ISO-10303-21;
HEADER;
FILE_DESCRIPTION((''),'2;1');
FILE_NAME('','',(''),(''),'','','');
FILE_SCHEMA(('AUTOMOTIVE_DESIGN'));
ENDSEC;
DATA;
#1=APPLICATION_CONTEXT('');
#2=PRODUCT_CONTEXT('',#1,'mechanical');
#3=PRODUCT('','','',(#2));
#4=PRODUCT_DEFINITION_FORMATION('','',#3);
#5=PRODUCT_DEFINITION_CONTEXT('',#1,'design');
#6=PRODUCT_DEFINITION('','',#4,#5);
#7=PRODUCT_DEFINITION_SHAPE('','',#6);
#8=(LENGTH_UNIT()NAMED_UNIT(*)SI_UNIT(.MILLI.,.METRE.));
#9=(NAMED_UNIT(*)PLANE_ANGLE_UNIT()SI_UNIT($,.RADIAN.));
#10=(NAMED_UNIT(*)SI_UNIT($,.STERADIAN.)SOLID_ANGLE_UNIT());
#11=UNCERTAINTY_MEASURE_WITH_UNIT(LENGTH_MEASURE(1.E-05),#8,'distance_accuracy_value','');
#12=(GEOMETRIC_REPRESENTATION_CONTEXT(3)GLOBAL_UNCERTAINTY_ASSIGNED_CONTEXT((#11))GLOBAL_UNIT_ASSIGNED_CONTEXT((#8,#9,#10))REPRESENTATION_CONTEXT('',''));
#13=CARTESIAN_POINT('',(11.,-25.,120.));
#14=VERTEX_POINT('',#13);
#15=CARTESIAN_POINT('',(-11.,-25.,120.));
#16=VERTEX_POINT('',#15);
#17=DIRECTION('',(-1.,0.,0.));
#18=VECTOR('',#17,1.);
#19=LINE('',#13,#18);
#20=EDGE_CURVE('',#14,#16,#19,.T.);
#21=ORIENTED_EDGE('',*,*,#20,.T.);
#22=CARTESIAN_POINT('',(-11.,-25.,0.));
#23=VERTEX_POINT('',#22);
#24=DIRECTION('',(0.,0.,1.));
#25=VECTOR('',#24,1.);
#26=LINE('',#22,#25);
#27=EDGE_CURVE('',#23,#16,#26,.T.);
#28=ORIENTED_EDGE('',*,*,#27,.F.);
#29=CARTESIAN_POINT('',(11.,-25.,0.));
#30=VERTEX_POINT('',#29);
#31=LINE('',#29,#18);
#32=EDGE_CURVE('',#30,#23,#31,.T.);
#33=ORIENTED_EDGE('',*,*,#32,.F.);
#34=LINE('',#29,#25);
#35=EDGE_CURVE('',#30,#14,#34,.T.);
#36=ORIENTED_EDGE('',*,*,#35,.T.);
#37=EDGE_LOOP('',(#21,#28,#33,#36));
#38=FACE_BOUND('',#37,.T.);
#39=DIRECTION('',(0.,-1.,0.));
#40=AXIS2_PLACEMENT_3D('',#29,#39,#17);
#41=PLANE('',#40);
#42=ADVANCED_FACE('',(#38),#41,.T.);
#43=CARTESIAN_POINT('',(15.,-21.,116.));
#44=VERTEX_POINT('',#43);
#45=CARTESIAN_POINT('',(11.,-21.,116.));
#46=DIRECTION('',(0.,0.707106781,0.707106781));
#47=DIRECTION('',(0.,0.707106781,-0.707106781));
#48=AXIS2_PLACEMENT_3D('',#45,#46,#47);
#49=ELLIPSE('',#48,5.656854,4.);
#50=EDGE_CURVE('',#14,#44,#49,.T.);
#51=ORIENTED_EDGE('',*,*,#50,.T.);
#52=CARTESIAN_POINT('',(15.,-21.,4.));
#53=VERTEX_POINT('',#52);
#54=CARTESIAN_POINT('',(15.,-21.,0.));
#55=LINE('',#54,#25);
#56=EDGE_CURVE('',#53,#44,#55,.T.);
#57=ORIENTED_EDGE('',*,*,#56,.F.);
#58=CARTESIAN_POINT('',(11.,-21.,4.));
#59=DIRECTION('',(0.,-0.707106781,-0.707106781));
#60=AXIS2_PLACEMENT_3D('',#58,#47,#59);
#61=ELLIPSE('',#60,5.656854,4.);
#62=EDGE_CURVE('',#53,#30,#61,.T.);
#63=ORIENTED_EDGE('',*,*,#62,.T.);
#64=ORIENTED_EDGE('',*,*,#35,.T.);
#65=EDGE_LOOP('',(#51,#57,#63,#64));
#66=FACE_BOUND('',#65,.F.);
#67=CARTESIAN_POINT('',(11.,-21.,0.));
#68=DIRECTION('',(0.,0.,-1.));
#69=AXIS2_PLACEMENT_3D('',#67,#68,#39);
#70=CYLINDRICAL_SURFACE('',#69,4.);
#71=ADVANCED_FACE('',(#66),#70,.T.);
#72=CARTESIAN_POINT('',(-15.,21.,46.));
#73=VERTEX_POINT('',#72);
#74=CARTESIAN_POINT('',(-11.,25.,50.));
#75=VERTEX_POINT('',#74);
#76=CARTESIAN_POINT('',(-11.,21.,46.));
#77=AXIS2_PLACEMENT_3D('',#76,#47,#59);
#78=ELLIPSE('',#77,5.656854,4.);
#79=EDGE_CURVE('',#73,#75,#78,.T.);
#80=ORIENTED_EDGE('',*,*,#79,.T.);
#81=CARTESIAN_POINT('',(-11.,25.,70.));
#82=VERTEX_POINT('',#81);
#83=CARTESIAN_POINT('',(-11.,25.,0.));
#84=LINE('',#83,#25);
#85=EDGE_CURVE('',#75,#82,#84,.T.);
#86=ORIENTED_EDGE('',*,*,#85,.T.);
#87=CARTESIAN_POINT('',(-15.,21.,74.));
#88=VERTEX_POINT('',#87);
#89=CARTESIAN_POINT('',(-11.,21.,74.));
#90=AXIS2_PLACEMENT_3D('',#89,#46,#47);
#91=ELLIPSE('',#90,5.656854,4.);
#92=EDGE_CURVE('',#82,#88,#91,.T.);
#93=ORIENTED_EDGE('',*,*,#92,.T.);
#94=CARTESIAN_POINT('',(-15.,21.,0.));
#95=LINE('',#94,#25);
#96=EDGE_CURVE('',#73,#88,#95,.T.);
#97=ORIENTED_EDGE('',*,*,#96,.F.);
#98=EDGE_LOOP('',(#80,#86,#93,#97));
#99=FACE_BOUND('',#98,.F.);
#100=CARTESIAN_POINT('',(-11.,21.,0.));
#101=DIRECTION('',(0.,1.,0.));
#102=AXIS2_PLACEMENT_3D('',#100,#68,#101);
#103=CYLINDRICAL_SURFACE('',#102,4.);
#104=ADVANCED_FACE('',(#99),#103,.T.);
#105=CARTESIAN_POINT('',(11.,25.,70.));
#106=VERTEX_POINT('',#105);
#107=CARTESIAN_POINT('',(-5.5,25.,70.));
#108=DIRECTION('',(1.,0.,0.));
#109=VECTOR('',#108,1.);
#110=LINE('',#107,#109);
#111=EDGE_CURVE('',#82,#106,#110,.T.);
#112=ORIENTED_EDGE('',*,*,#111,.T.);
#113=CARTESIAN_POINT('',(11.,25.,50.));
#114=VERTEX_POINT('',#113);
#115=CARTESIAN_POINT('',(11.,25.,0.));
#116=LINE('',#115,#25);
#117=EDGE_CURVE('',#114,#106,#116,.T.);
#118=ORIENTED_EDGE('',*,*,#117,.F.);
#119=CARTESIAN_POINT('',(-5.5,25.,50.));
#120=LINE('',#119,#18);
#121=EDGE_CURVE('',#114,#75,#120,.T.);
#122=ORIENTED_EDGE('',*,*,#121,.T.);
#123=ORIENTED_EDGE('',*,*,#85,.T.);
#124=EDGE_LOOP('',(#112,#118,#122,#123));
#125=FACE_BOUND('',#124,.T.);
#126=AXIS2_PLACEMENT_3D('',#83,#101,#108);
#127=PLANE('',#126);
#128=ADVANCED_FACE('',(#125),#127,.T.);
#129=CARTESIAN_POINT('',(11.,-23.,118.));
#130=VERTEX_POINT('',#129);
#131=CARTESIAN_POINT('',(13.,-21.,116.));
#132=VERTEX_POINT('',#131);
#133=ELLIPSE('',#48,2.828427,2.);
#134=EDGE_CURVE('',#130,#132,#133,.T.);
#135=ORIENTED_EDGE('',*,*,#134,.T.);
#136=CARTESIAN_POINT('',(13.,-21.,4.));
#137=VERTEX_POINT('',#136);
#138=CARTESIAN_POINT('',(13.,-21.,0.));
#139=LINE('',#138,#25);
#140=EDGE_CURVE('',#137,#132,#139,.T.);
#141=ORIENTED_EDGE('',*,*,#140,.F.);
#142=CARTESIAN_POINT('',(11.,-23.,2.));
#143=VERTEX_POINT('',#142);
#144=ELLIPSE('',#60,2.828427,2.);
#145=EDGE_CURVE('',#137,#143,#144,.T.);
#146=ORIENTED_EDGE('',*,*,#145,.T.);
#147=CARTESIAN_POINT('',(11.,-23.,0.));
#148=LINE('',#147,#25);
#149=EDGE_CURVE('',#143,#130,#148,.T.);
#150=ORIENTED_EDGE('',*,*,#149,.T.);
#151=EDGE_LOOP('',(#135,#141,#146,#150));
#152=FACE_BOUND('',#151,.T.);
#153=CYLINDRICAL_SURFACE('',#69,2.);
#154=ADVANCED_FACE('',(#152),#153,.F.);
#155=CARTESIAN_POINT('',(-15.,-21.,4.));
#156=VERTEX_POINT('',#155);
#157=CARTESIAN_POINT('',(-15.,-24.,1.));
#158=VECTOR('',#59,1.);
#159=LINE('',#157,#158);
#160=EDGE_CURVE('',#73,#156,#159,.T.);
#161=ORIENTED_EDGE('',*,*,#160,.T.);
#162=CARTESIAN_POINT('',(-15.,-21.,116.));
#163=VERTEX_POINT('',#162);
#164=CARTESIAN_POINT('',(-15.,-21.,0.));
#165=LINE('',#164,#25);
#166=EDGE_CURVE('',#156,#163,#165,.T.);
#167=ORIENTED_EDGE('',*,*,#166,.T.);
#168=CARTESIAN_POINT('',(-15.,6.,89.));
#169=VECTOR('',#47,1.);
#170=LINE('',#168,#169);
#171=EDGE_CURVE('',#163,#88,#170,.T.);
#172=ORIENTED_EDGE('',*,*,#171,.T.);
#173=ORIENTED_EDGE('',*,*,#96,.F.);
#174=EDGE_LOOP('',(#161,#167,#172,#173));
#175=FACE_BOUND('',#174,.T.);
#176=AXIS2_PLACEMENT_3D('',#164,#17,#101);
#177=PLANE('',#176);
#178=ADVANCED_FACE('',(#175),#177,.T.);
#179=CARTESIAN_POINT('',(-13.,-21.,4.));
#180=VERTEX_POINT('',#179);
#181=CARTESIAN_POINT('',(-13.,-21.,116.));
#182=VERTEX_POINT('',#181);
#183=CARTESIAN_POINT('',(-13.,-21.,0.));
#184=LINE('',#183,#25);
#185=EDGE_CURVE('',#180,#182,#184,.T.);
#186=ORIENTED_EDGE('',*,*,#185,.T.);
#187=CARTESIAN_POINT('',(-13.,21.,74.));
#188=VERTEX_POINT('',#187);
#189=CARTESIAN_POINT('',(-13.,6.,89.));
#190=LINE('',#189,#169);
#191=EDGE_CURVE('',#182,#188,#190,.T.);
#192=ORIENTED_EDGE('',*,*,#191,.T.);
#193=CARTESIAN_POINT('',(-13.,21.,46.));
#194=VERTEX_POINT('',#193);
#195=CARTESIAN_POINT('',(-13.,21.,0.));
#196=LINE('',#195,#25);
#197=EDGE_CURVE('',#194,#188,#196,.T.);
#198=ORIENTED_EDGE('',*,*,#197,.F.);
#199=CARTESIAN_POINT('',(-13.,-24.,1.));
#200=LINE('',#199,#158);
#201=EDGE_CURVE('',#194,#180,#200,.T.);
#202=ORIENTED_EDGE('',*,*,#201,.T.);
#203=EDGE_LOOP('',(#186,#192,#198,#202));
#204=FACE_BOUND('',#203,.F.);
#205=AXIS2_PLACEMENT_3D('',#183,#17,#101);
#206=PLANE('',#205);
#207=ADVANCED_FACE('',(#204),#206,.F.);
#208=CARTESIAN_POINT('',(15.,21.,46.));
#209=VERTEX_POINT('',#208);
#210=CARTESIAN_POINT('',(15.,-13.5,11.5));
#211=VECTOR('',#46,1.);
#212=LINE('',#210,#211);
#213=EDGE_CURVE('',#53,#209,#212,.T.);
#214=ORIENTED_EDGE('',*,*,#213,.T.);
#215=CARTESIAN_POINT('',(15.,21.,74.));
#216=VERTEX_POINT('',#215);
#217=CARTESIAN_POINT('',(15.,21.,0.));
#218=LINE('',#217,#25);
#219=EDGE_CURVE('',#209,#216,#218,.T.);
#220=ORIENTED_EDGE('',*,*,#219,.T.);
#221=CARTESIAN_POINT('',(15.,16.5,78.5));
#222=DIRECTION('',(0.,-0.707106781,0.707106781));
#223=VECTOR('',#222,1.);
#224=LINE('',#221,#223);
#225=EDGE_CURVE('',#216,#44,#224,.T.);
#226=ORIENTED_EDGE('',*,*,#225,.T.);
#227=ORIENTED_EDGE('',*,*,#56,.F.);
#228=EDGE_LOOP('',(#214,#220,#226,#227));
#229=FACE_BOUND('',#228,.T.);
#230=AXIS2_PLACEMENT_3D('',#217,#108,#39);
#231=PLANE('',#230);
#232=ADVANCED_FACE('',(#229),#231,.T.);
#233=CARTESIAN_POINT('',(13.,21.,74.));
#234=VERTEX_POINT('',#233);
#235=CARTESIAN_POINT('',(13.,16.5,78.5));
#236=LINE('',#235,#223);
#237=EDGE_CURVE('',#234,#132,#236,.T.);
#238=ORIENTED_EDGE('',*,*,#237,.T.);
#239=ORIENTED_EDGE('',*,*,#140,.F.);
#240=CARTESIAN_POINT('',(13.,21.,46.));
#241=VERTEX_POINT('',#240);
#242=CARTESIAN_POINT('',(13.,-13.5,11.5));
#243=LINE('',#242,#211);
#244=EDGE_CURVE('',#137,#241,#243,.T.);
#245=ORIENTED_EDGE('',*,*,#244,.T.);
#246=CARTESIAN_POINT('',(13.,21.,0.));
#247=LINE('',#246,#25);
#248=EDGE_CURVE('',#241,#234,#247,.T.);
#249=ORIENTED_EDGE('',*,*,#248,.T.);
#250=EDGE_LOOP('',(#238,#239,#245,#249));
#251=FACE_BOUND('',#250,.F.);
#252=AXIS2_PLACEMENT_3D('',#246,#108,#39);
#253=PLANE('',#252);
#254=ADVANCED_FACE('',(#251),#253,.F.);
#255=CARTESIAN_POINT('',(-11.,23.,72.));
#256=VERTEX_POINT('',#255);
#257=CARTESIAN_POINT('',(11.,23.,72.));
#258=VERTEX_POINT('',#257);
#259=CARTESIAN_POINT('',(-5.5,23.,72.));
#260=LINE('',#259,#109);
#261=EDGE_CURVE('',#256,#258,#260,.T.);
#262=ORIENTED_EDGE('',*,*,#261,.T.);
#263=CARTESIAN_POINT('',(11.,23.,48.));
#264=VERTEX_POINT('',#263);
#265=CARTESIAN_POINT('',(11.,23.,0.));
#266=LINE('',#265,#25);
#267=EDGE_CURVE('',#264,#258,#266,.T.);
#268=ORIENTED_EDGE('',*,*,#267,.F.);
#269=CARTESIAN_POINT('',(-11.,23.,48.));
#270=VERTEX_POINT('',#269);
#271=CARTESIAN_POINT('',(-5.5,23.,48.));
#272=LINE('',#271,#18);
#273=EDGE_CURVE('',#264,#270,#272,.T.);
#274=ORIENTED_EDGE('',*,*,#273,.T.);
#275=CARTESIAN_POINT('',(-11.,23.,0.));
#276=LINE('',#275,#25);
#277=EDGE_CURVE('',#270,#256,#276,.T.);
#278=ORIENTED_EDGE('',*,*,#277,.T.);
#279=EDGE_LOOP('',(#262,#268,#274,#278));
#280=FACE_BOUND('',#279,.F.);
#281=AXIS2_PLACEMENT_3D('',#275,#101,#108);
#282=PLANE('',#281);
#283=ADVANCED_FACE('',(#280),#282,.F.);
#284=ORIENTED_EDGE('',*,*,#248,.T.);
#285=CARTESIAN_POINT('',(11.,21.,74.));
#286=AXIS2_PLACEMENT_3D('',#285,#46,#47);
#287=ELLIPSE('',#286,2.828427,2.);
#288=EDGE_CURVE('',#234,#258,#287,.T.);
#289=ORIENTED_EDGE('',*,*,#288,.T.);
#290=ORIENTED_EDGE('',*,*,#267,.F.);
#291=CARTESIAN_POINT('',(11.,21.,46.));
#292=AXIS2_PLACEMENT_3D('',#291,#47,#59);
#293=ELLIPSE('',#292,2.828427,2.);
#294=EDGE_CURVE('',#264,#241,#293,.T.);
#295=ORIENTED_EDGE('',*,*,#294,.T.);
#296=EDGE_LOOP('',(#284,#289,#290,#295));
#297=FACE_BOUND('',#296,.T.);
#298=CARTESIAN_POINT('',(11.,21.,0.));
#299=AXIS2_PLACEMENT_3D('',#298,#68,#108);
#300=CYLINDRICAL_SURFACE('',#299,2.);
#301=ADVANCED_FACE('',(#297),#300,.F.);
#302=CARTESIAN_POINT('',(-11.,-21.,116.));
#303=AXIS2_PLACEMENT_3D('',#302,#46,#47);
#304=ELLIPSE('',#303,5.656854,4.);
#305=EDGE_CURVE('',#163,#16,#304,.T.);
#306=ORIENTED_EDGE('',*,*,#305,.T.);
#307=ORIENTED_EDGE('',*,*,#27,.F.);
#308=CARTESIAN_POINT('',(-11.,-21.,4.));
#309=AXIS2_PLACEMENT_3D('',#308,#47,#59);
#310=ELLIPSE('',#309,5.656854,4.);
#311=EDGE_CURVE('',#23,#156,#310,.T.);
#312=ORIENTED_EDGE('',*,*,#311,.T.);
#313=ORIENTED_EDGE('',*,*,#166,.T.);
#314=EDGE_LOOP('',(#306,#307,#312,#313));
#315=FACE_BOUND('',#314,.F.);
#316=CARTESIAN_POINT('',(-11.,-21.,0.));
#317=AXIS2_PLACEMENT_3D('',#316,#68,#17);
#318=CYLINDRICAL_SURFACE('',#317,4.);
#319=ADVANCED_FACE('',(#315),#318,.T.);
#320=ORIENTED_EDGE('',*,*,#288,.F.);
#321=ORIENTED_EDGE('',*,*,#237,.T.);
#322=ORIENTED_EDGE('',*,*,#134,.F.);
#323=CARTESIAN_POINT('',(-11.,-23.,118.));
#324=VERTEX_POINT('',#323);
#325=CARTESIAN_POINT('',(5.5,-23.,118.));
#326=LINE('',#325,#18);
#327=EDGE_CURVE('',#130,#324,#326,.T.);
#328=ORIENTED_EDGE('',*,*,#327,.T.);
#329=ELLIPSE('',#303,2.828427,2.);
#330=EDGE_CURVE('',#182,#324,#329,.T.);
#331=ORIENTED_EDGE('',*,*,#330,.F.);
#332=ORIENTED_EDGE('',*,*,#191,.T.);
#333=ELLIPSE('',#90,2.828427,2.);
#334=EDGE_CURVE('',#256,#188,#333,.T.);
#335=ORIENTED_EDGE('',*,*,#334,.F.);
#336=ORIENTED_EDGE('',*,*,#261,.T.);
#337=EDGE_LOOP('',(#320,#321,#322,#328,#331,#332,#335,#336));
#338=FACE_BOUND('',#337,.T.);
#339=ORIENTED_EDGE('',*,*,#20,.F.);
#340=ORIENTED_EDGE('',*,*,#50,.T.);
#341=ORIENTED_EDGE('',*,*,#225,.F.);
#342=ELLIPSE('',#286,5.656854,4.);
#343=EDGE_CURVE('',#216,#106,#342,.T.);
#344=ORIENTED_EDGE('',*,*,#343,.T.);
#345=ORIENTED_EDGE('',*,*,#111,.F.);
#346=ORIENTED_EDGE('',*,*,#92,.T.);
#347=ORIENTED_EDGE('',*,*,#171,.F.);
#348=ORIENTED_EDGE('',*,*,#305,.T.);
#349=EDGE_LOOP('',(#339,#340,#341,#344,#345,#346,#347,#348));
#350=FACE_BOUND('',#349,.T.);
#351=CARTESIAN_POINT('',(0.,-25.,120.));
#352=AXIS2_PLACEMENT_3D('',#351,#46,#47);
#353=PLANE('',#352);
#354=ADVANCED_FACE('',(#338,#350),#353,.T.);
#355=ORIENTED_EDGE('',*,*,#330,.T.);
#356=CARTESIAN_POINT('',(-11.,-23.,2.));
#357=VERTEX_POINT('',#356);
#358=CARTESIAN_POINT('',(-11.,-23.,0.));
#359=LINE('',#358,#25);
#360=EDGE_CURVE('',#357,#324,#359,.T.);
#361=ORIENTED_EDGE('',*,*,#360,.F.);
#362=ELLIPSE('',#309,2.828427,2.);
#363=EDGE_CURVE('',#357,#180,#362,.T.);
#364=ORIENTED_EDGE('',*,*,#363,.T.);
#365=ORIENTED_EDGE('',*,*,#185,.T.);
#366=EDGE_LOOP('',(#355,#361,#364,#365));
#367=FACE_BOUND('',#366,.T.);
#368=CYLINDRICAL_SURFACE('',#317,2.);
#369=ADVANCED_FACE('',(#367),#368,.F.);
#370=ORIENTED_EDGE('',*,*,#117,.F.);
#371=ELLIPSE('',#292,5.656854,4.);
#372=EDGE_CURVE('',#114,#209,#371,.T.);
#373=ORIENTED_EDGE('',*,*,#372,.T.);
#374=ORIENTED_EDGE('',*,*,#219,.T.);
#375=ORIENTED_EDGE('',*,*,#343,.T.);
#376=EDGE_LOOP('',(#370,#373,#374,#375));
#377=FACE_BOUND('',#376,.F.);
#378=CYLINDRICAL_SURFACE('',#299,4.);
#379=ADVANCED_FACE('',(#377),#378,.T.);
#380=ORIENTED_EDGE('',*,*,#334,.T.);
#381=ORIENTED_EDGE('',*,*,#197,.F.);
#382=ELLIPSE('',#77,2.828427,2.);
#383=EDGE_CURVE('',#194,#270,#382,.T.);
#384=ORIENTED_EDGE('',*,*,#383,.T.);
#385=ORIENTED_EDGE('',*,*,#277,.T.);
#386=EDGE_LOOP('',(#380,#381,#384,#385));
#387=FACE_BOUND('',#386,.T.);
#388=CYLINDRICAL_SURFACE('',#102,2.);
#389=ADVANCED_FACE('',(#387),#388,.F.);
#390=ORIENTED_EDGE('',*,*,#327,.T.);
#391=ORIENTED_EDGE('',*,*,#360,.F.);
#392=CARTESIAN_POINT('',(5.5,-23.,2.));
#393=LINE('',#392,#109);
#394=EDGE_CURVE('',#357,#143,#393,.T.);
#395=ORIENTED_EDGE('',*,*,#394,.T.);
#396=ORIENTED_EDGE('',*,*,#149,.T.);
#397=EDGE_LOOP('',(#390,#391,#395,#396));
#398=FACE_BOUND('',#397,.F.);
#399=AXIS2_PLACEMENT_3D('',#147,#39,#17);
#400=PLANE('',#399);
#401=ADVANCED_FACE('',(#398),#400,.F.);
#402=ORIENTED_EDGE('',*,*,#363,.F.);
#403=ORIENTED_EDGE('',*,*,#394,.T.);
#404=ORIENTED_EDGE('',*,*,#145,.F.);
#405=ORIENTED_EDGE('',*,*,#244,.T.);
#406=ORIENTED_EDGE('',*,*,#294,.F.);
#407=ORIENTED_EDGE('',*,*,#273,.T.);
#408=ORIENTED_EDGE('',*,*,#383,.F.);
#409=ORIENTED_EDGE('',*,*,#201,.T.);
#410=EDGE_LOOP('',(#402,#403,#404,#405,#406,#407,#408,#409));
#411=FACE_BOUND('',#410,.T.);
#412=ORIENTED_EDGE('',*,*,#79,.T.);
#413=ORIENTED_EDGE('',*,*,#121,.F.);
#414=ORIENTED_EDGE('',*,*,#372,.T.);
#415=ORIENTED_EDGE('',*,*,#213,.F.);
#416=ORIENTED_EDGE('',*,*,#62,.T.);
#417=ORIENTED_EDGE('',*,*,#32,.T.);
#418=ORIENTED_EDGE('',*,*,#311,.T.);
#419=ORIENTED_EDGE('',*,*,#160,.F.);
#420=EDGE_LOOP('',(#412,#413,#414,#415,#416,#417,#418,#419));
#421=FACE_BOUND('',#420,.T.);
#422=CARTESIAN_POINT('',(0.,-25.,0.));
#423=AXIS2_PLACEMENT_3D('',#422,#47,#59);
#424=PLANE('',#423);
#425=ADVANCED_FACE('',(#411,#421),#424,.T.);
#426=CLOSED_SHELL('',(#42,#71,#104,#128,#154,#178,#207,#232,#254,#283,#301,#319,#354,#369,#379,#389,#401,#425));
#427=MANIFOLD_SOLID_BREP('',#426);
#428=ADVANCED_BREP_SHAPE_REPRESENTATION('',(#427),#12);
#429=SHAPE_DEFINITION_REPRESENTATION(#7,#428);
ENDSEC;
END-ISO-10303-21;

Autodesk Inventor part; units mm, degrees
ref_plane "Plano inicial" through (0, 0, 0) normal (0, 0, 1) x (1, 0, 0)
ref_plane "Plano final" through (0, 0, 120) normal (0, 0, 1) x (1, 0, 0)
sketch "Esboço" plane through (0, 0, 0) normal (0, 0, 1) x (1, 0, 0)
  line L0 (-15, -21) -> (-15, 21)
  line L1 (-11, 25) -> (11, 25)
  line L2 (15, 21) -> (15, -21)
  line L3 (11, -25) -> (-11, -25)
  arc A0 (-15, -21) -> (-11, -25) centre (-11, -21) ccw
  arc A1 (15, 21) -> (11, 25) centre (11, 21) ccw
  arc A2 (-11, 25) -> (-15, 21) centre (-11, 21) ccw
  arc A3 (11, -25) -> (15, -21) centre (11, -21) ccw
  arc A4 (-11, 23) -> (-13, 21) centre (-11, 21) ccw
  line L4 (-11, 23) -> (11, 23)
  arc A5 (13, 21) -> (11, 23) centre (11, 21) ccw
  line L5 (13, 21) -> (13, -21)
  arc A6 (11, -23) -> (13, -21) centre (11, -21) ccw
  line L6 (11, -23) -> (-11, -23)
  arc A7 (-13, -21) -> (-11, -23) centre (-11, -21) ccw
  line L7 (-13, -21) -> (-13, 21)
  line L8 (0, 36.1598) -> (0, -36.1598) construction
  line L9 (-22.1598, 0) -> (22.1598, 0) construction
  dimension "d7" = 4
  dimension "d9" = 30
  dimension "d11" = 50
  dimension "d12" = 2
  dimension "d15" = 15
  dimension "d16" = 25
extrude "Corpo" add sketch "Esboço" along normal up to surface (120 mm away) from surface at 0
sketch "Sketch3" plane through (0, 0, 0) normal (0, 0, 1) x (1, 0, 0)
  line L0 (0, 0) -> (10, 0)
ref_plane "Work Plane3" through (0, 0, 0) normal (0, -1, 0) x (1, 0, 0)
sketch "Sketch4" plane through (0, 0, 0) normal (0, -1, 0) x (1, 0, 0)
  line L0 (-2, 0) -> (12, 0)
  line L1 (-2, 120) -> (12, 120)
  dimension "d18" = 120
ref_plane "Plano de trabalho4" through (0, -25, 0) normal (0, 0.7071, -0.7071) x (1, 0, 0)
split "Dividir1" plane through (0, -25, 0) removes the side toward (0, 0.7071, -0.7071)
ref_plane "Plano de trabalho5" through (0, -25, 120) normal (0, 0.7071, 0.7071) x (1, 0, 0)
split "Dividir2" plane through (0, -25, 120) removes the side toward (0, 0.7071, 0.7071)
equation "\"d7\" = G_IR"
equation "\"d9\" = G_W"
equation "\"d11\" = G_H"
equation "\"d12\" = G_T"
equation "\"d15\" = 0.5 * d9"
equation "\"d16\" = 0.5 * d11"
equation "\"d3\" = G_L"
equation "\"G_W\" = 30"
equation "\"G_H\" = 50"
equation "\"G_T\" = 2"
equation "\"G_IR\" = 4"
equation "\"G_L\" = d18"
equation "\"G_OFFSET_START\" = 0"
equation "\"G_OFFSET_END\" = 0"
equation "\"d14\" = G_OFFSET_END + B_L"
equation "\"B_L\" = 120"
properties part number "ISO 4019 - 50x30x2 - 120" material "Aço, suave"
